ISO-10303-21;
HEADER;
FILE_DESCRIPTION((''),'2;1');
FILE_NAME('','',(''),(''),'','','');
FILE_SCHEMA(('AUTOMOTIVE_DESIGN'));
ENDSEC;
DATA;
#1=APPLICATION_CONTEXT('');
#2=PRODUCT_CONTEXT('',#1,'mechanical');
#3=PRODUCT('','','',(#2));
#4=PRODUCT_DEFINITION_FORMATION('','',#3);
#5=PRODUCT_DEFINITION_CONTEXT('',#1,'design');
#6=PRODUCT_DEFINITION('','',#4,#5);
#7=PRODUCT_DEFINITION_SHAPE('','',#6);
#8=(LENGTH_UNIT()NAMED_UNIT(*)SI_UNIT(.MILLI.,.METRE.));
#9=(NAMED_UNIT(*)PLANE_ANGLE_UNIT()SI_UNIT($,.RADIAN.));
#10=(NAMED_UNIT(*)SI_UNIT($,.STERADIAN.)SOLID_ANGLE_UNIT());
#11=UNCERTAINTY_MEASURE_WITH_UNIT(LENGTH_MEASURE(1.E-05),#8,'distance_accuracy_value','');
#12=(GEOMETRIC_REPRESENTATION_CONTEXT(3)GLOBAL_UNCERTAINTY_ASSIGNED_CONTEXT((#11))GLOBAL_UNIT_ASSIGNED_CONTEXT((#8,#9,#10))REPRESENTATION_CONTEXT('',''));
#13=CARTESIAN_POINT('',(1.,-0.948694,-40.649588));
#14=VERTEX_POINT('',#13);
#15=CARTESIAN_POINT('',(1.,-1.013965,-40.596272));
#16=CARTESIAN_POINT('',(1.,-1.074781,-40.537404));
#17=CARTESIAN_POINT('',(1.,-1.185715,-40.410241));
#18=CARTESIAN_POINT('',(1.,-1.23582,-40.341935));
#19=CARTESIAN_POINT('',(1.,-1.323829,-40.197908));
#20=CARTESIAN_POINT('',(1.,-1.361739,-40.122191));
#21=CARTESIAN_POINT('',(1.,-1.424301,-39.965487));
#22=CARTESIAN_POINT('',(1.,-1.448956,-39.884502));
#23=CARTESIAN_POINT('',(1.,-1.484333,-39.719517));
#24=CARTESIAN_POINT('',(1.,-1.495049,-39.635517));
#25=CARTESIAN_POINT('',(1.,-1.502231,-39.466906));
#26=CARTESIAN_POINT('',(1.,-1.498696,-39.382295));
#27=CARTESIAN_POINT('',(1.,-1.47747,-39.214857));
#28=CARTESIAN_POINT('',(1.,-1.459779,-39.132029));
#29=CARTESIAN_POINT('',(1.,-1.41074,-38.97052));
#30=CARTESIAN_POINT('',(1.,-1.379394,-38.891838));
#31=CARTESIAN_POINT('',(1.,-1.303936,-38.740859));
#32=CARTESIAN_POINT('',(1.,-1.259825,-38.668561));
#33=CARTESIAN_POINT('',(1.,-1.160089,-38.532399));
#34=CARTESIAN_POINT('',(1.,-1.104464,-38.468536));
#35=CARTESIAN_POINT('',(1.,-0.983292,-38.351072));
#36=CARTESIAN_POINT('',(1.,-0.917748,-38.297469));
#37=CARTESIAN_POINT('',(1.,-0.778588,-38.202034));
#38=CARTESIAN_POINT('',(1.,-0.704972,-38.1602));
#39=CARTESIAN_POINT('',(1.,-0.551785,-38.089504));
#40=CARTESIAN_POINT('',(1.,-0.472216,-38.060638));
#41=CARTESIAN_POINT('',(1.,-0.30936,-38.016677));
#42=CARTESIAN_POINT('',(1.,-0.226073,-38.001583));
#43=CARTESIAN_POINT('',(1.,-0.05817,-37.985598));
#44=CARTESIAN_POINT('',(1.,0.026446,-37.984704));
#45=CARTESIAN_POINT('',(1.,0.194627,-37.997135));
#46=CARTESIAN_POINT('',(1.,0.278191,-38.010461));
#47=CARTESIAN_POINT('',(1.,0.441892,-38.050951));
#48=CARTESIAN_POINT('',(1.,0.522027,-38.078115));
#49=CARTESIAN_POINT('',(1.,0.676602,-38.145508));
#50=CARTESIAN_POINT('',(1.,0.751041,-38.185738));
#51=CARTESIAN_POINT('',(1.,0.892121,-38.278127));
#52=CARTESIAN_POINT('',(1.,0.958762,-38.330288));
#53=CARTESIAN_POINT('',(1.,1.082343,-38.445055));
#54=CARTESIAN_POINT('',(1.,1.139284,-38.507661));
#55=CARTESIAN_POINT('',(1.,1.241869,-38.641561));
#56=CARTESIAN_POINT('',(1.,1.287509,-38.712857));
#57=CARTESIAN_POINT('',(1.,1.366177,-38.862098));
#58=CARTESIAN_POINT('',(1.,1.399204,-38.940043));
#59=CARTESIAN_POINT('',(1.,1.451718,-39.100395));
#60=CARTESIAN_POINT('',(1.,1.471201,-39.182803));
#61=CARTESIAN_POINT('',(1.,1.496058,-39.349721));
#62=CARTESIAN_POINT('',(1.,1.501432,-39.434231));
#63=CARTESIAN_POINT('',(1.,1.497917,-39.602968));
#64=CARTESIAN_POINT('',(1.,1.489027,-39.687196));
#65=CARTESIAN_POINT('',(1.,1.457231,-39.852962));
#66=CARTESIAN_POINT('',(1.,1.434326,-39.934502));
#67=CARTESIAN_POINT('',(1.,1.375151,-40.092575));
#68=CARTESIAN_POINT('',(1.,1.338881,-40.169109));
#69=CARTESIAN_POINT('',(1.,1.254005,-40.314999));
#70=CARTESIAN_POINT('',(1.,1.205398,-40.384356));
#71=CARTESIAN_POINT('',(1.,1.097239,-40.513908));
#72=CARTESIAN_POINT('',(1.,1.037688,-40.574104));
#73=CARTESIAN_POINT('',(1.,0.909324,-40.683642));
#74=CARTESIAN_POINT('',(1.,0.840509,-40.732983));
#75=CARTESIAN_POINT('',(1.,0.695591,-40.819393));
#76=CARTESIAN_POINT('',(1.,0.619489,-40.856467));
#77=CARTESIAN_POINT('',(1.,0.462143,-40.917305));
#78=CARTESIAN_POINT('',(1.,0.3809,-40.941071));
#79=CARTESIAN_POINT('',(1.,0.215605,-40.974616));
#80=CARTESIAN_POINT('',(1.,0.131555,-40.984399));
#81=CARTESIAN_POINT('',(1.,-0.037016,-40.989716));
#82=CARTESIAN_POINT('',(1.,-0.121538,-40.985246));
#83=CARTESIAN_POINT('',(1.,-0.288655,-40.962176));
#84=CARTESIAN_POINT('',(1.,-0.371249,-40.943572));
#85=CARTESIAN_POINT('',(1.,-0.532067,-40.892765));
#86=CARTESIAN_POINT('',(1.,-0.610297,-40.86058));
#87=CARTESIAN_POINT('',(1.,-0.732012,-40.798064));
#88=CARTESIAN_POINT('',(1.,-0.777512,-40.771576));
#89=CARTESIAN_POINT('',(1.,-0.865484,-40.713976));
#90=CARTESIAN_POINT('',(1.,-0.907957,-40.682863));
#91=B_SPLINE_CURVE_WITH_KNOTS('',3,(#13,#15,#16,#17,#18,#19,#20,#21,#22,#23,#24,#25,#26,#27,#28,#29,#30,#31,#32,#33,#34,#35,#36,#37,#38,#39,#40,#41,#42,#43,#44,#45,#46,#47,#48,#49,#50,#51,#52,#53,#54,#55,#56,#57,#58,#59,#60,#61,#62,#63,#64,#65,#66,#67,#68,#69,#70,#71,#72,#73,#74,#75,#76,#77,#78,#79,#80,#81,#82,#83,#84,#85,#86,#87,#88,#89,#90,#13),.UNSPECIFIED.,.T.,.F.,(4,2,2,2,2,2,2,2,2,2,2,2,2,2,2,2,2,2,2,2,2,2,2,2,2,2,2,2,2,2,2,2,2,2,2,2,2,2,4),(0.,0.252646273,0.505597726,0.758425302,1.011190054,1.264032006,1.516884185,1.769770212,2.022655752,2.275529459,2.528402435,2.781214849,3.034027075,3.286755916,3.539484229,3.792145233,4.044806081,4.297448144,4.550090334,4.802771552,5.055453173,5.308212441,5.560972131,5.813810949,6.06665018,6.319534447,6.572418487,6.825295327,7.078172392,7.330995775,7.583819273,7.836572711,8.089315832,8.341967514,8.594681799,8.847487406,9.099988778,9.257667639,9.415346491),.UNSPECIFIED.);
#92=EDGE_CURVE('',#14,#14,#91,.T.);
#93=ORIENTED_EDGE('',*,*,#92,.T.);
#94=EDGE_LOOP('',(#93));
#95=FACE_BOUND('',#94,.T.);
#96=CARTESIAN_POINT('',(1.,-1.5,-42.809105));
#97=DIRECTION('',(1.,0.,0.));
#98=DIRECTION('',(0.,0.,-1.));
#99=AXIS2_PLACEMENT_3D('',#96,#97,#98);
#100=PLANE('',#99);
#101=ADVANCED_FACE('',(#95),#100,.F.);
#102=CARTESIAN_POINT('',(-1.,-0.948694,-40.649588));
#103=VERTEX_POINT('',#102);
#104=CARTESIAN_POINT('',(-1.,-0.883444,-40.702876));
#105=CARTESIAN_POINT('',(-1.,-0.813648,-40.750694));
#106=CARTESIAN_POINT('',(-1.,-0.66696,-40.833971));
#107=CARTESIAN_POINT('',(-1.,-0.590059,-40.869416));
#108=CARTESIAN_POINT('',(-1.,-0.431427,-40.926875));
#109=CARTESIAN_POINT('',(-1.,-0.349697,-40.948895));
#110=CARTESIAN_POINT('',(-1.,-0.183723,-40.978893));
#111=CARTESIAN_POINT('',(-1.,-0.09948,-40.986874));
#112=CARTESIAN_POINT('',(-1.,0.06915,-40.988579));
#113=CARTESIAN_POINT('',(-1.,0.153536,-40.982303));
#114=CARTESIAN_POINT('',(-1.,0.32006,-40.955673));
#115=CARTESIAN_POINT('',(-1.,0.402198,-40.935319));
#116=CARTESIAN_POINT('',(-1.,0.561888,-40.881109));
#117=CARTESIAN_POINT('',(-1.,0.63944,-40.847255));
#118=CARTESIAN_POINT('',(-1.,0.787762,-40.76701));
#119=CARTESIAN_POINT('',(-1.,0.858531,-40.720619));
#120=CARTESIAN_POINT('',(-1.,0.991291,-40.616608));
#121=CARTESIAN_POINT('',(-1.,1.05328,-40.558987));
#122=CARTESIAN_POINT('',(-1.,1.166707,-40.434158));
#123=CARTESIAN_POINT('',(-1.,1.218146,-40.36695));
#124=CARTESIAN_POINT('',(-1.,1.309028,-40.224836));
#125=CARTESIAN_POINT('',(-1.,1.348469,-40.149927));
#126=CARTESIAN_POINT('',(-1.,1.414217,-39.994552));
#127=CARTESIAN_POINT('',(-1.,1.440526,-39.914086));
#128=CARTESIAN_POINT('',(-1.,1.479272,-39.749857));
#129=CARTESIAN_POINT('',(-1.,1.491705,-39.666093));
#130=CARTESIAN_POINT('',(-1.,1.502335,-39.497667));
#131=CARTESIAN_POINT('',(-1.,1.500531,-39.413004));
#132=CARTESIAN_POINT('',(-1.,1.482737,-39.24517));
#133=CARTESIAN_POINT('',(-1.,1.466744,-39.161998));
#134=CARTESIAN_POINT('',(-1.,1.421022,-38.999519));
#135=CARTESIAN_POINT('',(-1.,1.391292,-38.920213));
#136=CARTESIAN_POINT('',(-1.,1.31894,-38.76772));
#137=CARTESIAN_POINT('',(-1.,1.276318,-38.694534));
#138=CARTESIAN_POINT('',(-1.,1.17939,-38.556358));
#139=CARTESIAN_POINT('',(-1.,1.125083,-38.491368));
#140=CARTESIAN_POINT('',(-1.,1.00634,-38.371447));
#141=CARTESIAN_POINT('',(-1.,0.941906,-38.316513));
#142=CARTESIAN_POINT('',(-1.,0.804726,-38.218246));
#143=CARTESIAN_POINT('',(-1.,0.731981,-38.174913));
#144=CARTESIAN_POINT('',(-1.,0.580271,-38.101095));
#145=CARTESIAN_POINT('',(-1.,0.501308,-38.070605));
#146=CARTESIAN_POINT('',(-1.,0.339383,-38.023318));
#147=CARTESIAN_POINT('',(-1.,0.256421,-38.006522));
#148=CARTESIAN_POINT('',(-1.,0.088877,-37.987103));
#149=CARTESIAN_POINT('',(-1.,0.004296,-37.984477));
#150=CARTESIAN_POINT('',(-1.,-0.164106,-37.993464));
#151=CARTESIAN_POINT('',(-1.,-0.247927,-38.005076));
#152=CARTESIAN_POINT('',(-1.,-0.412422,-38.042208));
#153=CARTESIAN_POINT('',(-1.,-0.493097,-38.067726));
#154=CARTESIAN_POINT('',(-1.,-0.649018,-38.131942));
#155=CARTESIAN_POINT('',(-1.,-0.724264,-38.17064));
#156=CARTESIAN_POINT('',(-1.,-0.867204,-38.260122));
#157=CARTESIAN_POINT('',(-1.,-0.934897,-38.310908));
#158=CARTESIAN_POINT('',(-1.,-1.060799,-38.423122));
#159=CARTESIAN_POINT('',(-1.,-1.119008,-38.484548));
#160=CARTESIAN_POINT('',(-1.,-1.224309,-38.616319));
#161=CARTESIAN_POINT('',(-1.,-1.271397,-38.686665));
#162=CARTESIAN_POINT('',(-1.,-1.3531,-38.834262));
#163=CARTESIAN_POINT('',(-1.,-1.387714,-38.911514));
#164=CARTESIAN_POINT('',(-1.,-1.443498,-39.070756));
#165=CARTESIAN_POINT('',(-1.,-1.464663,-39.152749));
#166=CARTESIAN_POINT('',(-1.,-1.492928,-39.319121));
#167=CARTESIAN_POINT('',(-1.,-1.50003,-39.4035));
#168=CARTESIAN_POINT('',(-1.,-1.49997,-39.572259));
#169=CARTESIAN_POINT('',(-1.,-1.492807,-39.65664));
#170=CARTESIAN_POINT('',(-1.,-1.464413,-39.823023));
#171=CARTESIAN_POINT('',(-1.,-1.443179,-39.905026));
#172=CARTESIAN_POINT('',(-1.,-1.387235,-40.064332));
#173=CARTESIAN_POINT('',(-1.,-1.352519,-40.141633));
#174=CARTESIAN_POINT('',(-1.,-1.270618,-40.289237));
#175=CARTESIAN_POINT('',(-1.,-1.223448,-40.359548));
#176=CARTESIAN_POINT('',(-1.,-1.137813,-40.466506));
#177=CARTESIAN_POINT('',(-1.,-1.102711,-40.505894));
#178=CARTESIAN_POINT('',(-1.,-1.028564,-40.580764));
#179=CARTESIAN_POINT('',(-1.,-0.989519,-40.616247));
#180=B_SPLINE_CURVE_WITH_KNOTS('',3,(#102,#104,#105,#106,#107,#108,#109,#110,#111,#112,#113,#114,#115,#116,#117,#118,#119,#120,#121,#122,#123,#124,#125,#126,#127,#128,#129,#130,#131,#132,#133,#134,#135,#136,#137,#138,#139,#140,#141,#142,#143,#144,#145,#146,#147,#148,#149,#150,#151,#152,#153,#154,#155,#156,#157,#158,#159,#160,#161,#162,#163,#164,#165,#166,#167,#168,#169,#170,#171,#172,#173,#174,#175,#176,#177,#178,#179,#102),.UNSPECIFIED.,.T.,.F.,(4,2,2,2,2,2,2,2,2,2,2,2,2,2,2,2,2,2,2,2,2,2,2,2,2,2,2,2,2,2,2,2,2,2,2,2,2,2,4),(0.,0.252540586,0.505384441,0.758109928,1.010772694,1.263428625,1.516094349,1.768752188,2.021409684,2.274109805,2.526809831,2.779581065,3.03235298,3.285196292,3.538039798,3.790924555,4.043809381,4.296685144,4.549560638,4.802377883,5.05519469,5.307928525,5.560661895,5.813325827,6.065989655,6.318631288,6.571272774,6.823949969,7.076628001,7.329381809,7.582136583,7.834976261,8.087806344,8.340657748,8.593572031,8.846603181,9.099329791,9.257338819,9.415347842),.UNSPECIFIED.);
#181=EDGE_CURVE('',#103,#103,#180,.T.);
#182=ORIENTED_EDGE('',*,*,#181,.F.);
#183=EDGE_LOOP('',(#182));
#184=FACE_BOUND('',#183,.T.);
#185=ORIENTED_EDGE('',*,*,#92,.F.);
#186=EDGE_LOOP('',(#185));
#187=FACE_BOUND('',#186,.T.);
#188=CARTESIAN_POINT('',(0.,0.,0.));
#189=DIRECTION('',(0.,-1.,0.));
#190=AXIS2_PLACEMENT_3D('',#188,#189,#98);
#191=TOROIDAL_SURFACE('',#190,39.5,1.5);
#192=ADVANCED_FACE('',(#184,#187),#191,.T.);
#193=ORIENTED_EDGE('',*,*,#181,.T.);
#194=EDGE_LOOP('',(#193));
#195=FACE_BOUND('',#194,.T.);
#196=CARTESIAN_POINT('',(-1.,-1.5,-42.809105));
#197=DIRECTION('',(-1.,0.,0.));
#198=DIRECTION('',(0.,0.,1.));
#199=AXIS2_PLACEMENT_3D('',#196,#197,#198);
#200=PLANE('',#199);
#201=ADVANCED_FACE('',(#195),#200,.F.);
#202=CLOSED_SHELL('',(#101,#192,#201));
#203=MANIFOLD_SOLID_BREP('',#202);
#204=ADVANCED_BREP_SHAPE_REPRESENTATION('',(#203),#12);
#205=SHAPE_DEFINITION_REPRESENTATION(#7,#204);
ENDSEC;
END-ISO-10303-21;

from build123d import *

# Parameters (mm, degrees)
ESBO_O1_R                  = 1.5
CORTE_EXTRUS_O1_DEPTH      = 59.002155276
CORTE_EXTRUS_O1_DEPTH_BACK = 59.002155276
ESBO_O2_W                  = 2
ESBO_O2_H                  = 6.558827033


with BuildPart() as part:
    # Esboço1 → Revolução1 (revolve)
    with BuildSketch(Plane.XY, mode=Mode.PRIVATE) as revolu_o1_sk:
        with Locations((39.5, 0)):
            Circle(ESBO_O1_R)
    revolve(revolu_o1_sk.sketch.rotate(Axis((0, 0, 0), (0, 1, 0)), 90), axis=Axis((0, 0, 0), (0, 1, 0)))

    # Esboço2 → Corte-extrusão1 (cut, two sides: drawn at the far end of the back side and taken through both)
    with BuildSketch(Plane(origin=(0, 0, 0), x_dir=(1, 0, 0), z_dir=(0, 1, 0)).offset(-CORTE_EXTRUS_O1_DEPTH_BACK)):
        with Locations((0, 39.529691088)):
            Rectangle(ESBO_O2_W, ESBO_O2_H)
    extrude(amount=CORTE_EXTRUS_O1_DEPTH + CORTE_EXTRUS_O1_DEPTH_BACK, mode=Mode.SUBTRACT)


solid = part.part
